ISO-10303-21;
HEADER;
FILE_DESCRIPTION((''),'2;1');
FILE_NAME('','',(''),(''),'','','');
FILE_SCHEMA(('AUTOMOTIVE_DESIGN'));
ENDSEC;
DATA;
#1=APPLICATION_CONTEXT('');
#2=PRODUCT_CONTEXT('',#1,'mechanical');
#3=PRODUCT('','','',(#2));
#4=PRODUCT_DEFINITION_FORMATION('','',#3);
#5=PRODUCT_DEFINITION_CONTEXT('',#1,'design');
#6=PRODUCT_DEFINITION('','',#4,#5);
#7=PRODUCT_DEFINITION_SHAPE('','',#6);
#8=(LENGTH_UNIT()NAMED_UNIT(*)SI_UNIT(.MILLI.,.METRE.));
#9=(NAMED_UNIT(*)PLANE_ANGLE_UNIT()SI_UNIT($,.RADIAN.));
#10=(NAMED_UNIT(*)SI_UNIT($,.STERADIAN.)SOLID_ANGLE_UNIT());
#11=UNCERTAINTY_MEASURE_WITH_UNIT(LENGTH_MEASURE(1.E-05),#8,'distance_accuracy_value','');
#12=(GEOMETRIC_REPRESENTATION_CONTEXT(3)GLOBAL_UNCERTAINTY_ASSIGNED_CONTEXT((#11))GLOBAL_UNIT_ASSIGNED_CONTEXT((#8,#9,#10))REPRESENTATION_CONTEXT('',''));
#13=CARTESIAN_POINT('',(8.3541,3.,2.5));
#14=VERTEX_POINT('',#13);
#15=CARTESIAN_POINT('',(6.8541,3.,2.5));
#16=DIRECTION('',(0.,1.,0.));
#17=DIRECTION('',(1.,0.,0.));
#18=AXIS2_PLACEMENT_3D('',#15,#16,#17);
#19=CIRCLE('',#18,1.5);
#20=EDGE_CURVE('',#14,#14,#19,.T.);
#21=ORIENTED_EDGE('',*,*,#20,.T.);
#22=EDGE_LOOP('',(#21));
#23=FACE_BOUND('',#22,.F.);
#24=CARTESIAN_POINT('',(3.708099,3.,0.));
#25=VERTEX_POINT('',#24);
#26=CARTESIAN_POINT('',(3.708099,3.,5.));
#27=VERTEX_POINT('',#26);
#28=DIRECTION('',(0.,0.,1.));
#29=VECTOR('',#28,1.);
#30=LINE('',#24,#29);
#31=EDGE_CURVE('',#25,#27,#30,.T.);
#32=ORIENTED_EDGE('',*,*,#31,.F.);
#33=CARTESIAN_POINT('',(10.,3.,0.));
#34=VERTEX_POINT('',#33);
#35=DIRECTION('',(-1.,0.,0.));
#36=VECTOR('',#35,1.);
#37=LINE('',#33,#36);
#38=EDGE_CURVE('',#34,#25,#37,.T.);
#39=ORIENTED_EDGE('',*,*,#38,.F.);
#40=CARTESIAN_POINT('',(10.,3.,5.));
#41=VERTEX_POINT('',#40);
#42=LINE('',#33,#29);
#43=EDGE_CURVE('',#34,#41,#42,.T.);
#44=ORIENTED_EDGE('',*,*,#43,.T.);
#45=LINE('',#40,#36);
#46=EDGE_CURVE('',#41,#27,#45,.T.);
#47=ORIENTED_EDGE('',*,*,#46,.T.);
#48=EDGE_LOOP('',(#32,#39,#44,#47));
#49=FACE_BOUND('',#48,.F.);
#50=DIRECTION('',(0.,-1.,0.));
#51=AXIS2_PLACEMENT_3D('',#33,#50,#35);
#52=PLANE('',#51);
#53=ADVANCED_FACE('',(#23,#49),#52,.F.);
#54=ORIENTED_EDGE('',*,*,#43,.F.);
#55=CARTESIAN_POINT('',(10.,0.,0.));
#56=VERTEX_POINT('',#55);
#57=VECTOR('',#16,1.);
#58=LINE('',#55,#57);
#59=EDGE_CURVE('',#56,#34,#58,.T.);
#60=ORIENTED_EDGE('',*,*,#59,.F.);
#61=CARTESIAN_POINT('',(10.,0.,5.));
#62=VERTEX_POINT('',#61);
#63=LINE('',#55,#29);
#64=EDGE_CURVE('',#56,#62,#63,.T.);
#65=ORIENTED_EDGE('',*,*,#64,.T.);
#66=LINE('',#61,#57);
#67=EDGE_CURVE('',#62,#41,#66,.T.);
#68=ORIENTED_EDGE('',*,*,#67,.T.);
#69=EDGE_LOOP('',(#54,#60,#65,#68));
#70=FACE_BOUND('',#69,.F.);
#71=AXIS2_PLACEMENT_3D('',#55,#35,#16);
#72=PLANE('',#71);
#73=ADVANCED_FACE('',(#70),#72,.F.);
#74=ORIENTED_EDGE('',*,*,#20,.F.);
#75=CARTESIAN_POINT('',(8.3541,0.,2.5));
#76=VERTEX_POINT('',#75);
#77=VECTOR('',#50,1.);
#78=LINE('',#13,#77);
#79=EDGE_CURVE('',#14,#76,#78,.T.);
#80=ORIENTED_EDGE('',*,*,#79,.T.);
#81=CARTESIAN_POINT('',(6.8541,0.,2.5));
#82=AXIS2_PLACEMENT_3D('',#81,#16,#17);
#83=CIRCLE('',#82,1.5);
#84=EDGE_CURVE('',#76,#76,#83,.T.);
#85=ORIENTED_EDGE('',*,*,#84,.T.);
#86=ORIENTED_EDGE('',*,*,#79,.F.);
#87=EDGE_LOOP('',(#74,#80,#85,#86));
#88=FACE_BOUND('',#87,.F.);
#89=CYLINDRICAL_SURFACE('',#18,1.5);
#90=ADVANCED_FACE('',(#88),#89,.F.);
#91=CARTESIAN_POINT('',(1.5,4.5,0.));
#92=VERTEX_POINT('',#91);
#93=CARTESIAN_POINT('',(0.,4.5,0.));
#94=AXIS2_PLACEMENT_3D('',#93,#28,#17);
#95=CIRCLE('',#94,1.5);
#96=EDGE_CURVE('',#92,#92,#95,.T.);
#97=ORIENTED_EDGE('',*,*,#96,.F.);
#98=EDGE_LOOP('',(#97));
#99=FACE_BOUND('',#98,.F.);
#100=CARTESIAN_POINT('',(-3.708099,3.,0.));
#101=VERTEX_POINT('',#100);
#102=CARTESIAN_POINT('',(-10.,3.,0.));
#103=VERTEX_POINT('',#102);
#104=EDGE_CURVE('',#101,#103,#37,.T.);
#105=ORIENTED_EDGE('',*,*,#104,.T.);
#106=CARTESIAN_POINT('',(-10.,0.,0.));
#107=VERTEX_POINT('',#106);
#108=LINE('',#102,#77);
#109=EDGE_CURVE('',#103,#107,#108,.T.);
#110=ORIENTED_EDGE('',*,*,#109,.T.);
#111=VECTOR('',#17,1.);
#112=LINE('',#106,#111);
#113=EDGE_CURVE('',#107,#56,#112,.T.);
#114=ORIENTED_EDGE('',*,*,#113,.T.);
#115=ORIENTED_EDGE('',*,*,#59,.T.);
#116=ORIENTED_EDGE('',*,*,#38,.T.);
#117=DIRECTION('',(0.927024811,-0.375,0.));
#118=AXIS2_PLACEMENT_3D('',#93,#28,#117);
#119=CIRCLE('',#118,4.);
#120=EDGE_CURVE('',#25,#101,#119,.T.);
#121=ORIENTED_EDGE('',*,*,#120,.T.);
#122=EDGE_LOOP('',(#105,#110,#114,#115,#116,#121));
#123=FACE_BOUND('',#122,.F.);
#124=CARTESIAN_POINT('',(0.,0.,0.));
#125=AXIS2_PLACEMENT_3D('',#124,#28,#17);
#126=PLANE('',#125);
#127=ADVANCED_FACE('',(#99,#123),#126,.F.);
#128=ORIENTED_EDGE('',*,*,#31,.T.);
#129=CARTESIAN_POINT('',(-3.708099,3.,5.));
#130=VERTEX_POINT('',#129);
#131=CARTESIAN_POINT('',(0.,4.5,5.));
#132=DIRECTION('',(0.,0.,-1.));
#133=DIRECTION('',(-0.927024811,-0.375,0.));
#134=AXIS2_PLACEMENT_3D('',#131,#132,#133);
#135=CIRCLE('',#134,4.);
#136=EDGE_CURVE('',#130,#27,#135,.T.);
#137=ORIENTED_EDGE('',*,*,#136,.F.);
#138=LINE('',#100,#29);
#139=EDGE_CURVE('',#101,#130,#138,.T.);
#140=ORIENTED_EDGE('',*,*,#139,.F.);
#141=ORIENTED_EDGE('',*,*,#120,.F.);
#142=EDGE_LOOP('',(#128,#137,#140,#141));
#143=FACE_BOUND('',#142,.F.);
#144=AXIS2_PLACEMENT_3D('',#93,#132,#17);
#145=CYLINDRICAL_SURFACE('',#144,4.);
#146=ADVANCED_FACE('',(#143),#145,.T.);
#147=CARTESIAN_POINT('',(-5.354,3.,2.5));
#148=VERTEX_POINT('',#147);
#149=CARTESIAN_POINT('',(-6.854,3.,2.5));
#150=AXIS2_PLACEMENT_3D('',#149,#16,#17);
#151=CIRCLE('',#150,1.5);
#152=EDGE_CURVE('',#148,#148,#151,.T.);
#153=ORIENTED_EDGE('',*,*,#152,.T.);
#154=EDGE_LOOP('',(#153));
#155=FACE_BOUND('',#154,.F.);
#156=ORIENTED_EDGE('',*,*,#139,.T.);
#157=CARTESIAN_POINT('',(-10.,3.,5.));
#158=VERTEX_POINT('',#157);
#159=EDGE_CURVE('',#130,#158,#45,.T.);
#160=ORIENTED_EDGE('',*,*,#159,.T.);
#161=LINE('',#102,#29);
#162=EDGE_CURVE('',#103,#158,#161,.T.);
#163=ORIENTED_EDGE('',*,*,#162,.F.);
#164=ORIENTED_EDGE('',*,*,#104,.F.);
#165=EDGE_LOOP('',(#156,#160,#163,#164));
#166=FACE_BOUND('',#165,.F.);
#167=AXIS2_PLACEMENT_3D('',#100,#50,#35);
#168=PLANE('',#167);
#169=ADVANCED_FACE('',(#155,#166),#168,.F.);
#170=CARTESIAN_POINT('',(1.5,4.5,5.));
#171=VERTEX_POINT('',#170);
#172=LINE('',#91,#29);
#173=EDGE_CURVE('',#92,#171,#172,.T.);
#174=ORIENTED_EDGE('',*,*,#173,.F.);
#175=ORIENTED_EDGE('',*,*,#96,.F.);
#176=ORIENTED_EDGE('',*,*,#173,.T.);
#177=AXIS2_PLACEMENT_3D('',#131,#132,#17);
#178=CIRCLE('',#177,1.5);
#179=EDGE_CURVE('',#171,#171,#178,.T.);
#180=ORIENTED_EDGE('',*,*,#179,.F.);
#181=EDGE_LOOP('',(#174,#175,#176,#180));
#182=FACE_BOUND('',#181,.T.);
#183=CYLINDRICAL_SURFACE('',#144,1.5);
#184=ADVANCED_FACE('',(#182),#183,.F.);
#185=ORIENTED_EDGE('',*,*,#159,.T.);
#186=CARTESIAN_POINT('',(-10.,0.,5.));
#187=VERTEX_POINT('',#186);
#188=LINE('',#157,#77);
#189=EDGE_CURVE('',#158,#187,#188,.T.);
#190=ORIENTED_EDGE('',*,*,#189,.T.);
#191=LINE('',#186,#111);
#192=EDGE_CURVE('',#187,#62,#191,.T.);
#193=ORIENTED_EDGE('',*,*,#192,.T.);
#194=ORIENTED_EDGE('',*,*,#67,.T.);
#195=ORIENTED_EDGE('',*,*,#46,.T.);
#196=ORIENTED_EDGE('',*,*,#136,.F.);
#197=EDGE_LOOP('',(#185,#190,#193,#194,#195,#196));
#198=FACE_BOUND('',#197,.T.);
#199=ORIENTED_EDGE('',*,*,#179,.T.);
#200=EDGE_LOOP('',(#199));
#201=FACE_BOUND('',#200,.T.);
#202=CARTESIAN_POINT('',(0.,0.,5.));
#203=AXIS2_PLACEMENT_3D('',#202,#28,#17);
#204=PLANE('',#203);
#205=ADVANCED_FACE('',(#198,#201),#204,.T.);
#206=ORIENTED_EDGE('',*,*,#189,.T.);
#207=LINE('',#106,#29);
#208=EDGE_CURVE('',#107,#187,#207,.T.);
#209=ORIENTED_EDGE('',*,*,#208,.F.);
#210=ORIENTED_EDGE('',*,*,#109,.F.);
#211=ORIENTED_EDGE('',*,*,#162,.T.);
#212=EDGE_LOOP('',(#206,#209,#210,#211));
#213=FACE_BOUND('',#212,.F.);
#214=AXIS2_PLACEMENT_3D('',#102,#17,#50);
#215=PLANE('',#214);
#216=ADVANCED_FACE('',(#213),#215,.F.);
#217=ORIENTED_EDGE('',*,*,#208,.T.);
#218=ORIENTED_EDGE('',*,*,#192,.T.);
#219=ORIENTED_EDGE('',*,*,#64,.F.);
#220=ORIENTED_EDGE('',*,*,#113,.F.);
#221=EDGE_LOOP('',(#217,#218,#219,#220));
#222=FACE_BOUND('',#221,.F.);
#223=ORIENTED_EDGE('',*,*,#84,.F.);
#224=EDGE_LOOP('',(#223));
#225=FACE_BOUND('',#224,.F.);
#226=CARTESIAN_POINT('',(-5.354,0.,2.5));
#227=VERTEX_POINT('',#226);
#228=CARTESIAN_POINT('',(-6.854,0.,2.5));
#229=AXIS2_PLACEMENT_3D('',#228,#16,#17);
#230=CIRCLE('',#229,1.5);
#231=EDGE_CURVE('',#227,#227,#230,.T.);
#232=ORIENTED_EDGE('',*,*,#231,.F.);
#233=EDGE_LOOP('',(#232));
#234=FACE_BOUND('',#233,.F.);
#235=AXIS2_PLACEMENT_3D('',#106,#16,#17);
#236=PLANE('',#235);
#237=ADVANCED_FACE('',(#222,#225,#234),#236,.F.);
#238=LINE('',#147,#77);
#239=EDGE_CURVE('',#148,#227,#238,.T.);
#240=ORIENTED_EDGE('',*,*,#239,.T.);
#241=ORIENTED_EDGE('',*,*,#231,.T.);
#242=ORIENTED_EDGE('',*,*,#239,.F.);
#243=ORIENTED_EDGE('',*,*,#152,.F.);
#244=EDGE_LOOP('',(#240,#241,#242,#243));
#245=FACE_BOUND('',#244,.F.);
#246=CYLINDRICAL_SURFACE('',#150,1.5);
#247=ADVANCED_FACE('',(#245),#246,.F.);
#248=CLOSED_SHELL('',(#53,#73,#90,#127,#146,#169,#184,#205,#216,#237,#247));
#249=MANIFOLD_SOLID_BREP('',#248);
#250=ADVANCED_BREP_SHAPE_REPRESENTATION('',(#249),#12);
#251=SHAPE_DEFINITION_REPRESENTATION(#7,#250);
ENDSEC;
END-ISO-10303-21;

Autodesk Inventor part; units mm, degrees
ref_plane "YZ Plane" through (0, 0, 0) normal (1, 0, 0) x (0, 1, 0)
ref_plane "XZ Plane" through (0, 0, 0) normal (0, 1, 0) x (-1, 0, 0)
ref_plane "XY Plane" through (0, 0, 0) normal (0, 0, 1) x (1, 0, 0)
sketch "Эскиз1" plane through (0, 0, 0) normal (0, 0, 1) x (1, 0, 0)
  line L0 (0, 0) -> (0, 3) construction
  line L1 (0, 3) -> (2.6556, 3) construction
  line L2 (0, 3) -> (0, 6) construction
  circle A0 centre (0, 4.5) radius 1.5
  circle A1 centre (0, 4.5) radius 4
  line L3 (-10, 0) -> (10, 0)
  line L4 (10, 0) -> (10, 3)
  line L5 (10, 3) -> (-10, 3)
  line L6 (-10, 3) -> (-10, 0)
  line L7 (-10, 0) -> (10, 3) construction
  line L8 (10, 0) -> (-10, 3) construction
  point P0 (0, 1.5)
  dimension "d0" = 3
  dimension "d1" = 3
  dimension "d2" = 2.5
  dimension "d3" = 20
  dimension "d4" = 3
extrude "Выдавливание1" add sketch "Эскиз1" along normal blind 5
sketch "Эскиз4" plane through (3.7081, 3, 0) normal (0, 1, 0) x (1, 0, 0)
  line L0 (0, -5) -> (0, 0) projected
  line L1 (6.2919, -5) -> (0, -5) projected
  line L2 (6.2919, 0) -> (6.2919, -5) projected
  line L3 (6.2919, 0) -> (0, 0) projected
  line L4 (-7.4162, 0) -> (-7.4162, -5) projected
  line L5 (-7.4162, 0) -> (-13.7081, 0) projected
  line L6 (-13.7081, 0) -> (-13.7081, -5) projected
  line L7 (-7.4162, -5) -> (-13.7081, -5) projected
  line L8 (6.2919, -5) -> (0, -5) construction
  line L9 (3.146, -5) -> (3.146, 0) construction
  line L10 (-13.7081, -5) -> (6.2919, -5) construction
  line L11 (-10.5621, -5) -> (-10.5621, 0) construction
  line L12 (-13.7081, 0) -> (6.2919, 0) construction
  circle A0 centre (3.146, -2.5) radius 1.5
  circle A1 centre (-10.5621, -2.5) radius 1.5
  point P0 (-3.7081, 0)
  dimension "d14" = 3
  dimension "d15" = 3
extrude "Выдавливание4" cut sketch "Эскиз4" against normal blind 10 contours A0 | A1
properties part number "Mount for exis"
